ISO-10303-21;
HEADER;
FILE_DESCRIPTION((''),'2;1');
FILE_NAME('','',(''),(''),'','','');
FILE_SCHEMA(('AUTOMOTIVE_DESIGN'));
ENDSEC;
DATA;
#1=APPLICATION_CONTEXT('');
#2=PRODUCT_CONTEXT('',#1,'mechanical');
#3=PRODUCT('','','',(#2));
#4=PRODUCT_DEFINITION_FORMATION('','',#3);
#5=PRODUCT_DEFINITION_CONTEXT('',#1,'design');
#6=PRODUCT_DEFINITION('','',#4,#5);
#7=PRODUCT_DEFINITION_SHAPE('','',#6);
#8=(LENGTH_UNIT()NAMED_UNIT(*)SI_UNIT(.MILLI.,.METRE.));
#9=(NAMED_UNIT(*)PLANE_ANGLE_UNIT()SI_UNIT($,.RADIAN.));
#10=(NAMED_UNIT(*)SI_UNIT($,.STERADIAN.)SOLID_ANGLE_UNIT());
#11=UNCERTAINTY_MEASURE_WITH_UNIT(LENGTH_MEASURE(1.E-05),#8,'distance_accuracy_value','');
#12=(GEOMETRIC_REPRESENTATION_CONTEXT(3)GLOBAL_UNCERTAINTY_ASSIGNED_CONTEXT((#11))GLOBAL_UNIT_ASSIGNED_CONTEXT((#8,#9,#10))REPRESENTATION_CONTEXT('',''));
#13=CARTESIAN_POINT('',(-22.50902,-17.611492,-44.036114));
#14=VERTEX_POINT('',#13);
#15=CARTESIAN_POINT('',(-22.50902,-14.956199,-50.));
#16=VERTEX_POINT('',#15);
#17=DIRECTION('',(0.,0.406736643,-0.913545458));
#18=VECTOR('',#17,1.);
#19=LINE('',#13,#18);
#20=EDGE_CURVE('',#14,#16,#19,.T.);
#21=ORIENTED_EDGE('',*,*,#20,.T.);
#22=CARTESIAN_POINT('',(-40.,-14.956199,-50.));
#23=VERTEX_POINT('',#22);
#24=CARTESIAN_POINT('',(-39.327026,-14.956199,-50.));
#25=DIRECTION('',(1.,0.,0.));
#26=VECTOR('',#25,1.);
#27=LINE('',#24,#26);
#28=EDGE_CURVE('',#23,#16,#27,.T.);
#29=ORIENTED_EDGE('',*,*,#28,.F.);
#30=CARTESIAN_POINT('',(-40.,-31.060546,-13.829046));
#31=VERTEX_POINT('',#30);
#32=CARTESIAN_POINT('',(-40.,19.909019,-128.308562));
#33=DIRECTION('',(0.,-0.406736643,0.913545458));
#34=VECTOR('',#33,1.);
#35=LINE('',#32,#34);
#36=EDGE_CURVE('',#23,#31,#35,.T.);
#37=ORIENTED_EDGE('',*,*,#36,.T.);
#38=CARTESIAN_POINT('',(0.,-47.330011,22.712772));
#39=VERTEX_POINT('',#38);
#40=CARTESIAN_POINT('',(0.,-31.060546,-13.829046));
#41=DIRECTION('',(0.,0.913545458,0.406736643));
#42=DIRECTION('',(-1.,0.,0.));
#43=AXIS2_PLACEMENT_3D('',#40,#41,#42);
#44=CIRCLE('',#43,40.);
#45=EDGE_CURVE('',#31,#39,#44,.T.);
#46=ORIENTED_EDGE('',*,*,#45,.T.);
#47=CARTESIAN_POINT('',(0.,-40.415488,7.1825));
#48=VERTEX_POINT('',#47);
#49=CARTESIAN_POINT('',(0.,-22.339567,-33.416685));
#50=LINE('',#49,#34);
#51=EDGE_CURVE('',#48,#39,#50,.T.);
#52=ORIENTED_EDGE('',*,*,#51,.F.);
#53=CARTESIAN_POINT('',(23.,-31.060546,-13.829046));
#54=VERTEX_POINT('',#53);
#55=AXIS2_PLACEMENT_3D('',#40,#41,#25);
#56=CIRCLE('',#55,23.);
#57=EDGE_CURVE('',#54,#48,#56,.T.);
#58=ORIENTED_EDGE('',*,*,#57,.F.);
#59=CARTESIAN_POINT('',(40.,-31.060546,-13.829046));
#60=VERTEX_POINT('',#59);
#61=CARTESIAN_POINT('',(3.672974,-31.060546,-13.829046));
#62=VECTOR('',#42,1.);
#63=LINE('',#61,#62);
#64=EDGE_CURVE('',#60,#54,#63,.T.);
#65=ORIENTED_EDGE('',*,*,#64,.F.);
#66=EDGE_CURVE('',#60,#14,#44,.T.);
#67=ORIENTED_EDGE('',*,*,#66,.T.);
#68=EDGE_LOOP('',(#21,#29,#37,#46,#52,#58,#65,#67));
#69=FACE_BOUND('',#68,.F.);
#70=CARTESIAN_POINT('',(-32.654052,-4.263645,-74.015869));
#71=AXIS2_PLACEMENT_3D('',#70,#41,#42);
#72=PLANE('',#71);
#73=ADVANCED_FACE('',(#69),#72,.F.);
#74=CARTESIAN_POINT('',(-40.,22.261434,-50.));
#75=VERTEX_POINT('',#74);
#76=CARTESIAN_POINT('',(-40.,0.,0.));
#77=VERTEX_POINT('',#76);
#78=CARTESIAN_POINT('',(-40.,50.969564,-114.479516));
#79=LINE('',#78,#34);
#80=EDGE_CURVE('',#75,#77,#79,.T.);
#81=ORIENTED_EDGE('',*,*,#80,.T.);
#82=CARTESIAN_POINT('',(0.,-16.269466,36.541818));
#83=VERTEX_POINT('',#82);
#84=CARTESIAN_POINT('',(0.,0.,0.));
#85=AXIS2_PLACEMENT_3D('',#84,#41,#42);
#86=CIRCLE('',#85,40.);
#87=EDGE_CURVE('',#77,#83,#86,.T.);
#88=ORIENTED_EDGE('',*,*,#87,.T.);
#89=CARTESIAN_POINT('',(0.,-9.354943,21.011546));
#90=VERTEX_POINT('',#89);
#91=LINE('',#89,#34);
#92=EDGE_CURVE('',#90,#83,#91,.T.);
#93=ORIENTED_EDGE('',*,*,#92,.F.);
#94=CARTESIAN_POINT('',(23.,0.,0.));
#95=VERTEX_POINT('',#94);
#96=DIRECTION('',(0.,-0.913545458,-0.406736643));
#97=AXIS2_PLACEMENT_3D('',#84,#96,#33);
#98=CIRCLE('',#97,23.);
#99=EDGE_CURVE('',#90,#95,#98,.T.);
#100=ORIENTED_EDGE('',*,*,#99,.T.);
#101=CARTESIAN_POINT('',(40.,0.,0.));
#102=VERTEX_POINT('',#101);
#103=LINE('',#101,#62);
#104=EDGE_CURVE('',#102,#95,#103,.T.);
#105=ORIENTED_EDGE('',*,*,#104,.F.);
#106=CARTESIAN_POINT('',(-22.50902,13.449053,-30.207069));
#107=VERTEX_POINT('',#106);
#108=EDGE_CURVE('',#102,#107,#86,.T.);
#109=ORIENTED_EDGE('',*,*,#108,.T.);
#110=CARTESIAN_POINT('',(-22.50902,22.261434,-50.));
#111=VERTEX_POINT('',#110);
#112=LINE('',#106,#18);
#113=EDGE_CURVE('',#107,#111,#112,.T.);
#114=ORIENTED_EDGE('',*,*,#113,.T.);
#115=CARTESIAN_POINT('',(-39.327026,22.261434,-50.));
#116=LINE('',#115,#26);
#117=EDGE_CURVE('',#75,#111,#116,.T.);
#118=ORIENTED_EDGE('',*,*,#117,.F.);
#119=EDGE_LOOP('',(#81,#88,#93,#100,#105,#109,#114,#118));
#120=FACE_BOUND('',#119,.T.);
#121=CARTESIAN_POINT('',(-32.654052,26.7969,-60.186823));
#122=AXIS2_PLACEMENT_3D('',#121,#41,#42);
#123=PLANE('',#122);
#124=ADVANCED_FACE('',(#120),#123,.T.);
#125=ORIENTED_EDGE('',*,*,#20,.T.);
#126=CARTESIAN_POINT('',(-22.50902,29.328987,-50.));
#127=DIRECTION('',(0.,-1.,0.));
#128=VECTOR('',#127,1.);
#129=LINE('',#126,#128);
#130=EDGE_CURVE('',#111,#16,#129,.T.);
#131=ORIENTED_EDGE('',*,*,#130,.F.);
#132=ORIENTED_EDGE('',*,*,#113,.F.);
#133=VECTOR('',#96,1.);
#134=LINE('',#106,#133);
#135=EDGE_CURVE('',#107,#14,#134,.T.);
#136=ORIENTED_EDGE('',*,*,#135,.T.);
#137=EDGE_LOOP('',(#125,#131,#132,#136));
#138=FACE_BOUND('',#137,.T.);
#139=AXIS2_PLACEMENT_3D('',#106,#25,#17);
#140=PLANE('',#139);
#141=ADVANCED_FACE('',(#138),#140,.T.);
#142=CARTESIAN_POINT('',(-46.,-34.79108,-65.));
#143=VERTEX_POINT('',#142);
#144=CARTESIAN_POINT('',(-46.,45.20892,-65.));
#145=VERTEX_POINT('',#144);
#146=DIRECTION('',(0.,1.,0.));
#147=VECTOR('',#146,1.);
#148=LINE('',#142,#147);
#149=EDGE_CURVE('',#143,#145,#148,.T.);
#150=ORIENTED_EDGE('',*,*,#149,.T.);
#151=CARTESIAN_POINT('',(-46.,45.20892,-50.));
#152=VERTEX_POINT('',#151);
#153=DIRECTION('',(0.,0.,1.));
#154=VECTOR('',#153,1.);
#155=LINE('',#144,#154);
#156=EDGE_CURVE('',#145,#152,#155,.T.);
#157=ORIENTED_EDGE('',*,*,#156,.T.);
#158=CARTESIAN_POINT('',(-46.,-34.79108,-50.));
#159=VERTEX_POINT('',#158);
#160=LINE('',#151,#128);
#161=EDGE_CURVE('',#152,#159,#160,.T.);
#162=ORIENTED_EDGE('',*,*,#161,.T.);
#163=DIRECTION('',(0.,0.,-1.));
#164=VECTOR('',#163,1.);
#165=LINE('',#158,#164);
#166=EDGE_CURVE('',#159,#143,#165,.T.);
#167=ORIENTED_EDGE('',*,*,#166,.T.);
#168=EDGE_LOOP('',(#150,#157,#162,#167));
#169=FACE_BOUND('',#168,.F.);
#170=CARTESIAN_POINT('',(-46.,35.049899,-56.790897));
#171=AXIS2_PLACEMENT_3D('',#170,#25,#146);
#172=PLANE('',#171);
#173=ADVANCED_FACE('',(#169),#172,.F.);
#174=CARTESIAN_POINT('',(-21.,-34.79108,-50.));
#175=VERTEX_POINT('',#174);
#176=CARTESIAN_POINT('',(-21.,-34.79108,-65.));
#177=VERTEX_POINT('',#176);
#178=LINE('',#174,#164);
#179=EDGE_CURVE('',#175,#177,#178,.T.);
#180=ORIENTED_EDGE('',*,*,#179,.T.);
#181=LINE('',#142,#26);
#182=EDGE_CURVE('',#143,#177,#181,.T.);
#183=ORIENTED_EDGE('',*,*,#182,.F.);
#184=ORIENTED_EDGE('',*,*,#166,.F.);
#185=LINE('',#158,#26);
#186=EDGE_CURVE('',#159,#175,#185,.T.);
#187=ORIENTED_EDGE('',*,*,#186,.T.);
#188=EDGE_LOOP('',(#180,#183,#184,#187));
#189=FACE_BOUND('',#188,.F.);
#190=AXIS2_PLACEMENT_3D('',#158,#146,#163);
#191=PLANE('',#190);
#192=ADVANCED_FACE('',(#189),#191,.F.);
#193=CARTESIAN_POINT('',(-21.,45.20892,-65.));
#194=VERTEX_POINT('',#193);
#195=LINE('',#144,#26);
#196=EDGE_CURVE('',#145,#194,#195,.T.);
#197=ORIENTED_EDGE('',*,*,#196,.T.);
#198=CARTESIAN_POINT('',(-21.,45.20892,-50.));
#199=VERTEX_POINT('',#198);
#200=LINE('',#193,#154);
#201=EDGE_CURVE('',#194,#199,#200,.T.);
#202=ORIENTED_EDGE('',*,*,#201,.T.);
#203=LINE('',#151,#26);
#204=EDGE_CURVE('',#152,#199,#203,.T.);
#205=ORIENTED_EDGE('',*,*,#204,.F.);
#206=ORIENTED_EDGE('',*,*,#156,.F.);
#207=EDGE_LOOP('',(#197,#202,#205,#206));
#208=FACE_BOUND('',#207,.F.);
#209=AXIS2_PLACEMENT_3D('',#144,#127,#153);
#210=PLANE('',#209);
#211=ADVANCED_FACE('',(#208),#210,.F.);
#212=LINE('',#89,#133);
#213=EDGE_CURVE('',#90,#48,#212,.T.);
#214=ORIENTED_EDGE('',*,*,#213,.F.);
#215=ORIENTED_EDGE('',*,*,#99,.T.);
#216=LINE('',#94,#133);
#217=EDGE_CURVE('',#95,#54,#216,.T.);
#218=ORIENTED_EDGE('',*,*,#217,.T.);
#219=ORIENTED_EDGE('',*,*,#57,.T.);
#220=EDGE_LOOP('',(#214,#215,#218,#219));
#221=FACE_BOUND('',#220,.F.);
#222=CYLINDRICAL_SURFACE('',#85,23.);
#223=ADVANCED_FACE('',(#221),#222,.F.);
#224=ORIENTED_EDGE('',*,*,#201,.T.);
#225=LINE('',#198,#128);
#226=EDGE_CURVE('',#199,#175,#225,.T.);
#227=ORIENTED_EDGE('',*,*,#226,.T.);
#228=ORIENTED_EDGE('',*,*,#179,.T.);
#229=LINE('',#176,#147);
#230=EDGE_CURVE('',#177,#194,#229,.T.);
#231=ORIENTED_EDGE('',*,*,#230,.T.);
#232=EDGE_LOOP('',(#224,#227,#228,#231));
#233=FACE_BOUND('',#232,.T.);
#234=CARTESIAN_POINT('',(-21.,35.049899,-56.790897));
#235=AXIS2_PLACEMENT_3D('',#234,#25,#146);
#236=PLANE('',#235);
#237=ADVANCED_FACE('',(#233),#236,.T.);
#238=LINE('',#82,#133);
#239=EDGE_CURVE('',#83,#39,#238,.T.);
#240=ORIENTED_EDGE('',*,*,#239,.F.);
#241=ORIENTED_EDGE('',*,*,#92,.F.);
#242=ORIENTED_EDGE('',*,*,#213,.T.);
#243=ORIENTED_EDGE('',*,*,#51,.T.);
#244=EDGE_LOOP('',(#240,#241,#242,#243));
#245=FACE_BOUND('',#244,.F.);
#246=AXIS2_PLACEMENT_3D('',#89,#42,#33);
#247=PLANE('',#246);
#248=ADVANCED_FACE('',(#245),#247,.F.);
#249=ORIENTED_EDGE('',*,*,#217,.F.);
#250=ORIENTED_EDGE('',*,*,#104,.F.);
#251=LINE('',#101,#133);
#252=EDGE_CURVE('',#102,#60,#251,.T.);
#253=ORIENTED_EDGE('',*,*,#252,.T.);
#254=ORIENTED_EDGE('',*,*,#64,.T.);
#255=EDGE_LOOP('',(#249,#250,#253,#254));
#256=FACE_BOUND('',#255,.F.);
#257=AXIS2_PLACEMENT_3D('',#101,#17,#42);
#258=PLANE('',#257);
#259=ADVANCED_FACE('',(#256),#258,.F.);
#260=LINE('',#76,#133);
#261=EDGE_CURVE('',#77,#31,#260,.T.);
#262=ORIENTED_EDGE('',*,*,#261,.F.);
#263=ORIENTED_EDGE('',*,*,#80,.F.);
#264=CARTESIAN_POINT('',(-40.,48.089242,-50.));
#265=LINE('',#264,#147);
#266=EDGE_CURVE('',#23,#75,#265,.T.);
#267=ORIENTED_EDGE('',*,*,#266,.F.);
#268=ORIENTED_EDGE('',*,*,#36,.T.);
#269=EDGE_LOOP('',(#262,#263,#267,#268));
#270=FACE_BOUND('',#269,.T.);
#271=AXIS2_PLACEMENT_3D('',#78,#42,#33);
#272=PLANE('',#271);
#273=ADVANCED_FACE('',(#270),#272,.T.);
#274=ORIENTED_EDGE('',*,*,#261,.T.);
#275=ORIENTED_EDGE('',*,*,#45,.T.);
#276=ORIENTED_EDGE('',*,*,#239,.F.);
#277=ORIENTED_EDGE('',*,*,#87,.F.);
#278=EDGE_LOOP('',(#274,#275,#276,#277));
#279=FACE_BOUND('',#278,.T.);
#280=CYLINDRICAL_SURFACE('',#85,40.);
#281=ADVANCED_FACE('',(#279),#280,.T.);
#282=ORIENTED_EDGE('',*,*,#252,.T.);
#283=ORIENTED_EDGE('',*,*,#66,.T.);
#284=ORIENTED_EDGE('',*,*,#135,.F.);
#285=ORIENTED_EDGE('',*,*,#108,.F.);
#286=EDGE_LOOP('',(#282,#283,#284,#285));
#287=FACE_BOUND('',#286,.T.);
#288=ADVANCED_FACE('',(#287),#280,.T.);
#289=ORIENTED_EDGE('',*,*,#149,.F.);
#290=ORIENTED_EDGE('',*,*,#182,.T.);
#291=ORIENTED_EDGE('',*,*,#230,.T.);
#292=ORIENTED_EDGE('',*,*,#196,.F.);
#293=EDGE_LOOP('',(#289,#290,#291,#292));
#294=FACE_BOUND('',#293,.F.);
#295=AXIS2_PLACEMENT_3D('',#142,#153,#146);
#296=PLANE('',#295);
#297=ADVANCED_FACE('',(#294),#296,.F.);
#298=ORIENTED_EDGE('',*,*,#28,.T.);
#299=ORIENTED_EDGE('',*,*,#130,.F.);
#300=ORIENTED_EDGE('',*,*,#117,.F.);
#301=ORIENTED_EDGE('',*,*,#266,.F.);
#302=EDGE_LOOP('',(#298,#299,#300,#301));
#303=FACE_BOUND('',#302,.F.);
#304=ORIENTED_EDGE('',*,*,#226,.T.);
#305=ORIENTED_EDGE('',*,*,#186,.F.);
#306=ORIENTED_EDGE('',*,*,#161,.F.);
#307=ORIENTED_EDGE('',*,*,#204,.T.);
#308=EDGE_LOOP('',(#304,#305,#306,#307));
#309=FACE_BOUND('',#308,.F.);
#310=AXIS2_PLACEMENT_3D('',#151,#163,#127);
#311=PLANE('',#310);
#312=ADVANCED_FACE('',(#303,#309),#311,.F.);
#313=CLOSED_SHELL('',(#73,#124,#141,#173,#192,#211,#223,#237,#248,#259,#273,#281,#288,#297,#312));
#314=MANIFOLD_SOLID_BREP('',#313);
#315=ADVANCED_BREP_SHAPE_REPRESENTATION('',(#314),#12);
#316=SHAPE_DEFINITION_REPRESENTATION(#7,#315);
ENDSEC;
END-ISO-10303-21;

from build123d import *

# Parameters (mm, degrees)
F2_R      = 40
F2_R_2    = 23
F4_DEPTH  = 34
F8_DEPTH  = 25
F10_DEPTH = 34
F11_DEPTH = 133
F13_DEPTH = 262


with BuildPart() as f4:
    # F2 (on face) → F4 (new body)
    with BuildSketch(Plane(origin=(0, 0, 0), x_dir=(-1, 0, 0), z_dir=(0, 0.9135454576, 0.4067366431))):
        Circle(F2_R)
        Circle(F2_R_2, mode=Mode.SUBTRACT)
    extrude(amount=-F4_DEPTH)



with BuildPart() as f8:
    # F7 (on offset) → F8 (new body)
    with BuildSketch(Plane.YZ.offset(-46)):
        Polygon((45.2089201632, -50), (22.2614342654, -50), (28.9398645451, -65), (45.2089201632, -65), align=None)
        Polygon((22.2614342654, -50), (-14.9561992038, -50), (-14.7910798368, -50.3708641703), (-8.2777689242, -65), (28.9398645451, -65), align=None)
        Polygon((-14.7910798368, -50.3708641703), (-14.7910798368, -65), (-8.2777689242, -65), align=None)
        Polygon((-14.9561992038, -50), (-34.7910798368, -50), (-34.7910798368, -65), (-14.7910798368, -65), (-14.7910798368, -50.3708641703), align=None)
    extrude(amount=F8_DEPTH)


with BuildPart() as f4_1:
    add(f4.part)

    add(f8.part)  # F10 merges F8
    # F9 (on face) → F10 (join, through all)
    with BuildSketch(Plane(origin=(0, 0, 0), x_dir=(-1, 0, 0), z_dir=(0, 0.9135454576, 0.4067366431))):
        with BuildLine():
            Line((40, -125.3134310246), (40, 0))
            ThreePointArc((40, 0), (35.3578901582, -18.7034650149), (22.5090198219, -33.0657530786))
            Line((22.5090198219, -33.0657530786), (22.5090198219, -125.3134310246))
            Line((22.5090198219, -125.3134310246), (40, -125.3134310246))
        make_face()
    extrude(amount=-F10_DEPTH)

    # F11 (cut): a face of the model
    f11_faces = [f4_1.faces().sort_by_distance(p)[0] for p in [
        (-22.5090198219, 22.1875323244, -93.3383186081),
    ]]
    extrude(f11_faces, amount=-F11_DEPTH, mode=Mode.SUBTRACT)

    # F12 (on face) → F13 (cut)
    with BuildSketch(Plane(origin=(0, 0, 0), x_dir=(-1, 0, 0), z_dir=(0, 0.9135454576, 0.4067366431))):
        with BuildLine():
            Line((0, 23), (0, 40))
            ThreePointArc((0, 40), (-28.2842712475, 28.2842712475), (-40, 0))
            Line((-40, 0), (-23, 0))
            ThreePointArc((-23, 0), (-16.2634559673, 16.2634559673), (0, 23))
        make_face()
    extrude(amount=-F13_DEPTH, mode=Mode.SUBTRACT)


solid = f4_1.part
